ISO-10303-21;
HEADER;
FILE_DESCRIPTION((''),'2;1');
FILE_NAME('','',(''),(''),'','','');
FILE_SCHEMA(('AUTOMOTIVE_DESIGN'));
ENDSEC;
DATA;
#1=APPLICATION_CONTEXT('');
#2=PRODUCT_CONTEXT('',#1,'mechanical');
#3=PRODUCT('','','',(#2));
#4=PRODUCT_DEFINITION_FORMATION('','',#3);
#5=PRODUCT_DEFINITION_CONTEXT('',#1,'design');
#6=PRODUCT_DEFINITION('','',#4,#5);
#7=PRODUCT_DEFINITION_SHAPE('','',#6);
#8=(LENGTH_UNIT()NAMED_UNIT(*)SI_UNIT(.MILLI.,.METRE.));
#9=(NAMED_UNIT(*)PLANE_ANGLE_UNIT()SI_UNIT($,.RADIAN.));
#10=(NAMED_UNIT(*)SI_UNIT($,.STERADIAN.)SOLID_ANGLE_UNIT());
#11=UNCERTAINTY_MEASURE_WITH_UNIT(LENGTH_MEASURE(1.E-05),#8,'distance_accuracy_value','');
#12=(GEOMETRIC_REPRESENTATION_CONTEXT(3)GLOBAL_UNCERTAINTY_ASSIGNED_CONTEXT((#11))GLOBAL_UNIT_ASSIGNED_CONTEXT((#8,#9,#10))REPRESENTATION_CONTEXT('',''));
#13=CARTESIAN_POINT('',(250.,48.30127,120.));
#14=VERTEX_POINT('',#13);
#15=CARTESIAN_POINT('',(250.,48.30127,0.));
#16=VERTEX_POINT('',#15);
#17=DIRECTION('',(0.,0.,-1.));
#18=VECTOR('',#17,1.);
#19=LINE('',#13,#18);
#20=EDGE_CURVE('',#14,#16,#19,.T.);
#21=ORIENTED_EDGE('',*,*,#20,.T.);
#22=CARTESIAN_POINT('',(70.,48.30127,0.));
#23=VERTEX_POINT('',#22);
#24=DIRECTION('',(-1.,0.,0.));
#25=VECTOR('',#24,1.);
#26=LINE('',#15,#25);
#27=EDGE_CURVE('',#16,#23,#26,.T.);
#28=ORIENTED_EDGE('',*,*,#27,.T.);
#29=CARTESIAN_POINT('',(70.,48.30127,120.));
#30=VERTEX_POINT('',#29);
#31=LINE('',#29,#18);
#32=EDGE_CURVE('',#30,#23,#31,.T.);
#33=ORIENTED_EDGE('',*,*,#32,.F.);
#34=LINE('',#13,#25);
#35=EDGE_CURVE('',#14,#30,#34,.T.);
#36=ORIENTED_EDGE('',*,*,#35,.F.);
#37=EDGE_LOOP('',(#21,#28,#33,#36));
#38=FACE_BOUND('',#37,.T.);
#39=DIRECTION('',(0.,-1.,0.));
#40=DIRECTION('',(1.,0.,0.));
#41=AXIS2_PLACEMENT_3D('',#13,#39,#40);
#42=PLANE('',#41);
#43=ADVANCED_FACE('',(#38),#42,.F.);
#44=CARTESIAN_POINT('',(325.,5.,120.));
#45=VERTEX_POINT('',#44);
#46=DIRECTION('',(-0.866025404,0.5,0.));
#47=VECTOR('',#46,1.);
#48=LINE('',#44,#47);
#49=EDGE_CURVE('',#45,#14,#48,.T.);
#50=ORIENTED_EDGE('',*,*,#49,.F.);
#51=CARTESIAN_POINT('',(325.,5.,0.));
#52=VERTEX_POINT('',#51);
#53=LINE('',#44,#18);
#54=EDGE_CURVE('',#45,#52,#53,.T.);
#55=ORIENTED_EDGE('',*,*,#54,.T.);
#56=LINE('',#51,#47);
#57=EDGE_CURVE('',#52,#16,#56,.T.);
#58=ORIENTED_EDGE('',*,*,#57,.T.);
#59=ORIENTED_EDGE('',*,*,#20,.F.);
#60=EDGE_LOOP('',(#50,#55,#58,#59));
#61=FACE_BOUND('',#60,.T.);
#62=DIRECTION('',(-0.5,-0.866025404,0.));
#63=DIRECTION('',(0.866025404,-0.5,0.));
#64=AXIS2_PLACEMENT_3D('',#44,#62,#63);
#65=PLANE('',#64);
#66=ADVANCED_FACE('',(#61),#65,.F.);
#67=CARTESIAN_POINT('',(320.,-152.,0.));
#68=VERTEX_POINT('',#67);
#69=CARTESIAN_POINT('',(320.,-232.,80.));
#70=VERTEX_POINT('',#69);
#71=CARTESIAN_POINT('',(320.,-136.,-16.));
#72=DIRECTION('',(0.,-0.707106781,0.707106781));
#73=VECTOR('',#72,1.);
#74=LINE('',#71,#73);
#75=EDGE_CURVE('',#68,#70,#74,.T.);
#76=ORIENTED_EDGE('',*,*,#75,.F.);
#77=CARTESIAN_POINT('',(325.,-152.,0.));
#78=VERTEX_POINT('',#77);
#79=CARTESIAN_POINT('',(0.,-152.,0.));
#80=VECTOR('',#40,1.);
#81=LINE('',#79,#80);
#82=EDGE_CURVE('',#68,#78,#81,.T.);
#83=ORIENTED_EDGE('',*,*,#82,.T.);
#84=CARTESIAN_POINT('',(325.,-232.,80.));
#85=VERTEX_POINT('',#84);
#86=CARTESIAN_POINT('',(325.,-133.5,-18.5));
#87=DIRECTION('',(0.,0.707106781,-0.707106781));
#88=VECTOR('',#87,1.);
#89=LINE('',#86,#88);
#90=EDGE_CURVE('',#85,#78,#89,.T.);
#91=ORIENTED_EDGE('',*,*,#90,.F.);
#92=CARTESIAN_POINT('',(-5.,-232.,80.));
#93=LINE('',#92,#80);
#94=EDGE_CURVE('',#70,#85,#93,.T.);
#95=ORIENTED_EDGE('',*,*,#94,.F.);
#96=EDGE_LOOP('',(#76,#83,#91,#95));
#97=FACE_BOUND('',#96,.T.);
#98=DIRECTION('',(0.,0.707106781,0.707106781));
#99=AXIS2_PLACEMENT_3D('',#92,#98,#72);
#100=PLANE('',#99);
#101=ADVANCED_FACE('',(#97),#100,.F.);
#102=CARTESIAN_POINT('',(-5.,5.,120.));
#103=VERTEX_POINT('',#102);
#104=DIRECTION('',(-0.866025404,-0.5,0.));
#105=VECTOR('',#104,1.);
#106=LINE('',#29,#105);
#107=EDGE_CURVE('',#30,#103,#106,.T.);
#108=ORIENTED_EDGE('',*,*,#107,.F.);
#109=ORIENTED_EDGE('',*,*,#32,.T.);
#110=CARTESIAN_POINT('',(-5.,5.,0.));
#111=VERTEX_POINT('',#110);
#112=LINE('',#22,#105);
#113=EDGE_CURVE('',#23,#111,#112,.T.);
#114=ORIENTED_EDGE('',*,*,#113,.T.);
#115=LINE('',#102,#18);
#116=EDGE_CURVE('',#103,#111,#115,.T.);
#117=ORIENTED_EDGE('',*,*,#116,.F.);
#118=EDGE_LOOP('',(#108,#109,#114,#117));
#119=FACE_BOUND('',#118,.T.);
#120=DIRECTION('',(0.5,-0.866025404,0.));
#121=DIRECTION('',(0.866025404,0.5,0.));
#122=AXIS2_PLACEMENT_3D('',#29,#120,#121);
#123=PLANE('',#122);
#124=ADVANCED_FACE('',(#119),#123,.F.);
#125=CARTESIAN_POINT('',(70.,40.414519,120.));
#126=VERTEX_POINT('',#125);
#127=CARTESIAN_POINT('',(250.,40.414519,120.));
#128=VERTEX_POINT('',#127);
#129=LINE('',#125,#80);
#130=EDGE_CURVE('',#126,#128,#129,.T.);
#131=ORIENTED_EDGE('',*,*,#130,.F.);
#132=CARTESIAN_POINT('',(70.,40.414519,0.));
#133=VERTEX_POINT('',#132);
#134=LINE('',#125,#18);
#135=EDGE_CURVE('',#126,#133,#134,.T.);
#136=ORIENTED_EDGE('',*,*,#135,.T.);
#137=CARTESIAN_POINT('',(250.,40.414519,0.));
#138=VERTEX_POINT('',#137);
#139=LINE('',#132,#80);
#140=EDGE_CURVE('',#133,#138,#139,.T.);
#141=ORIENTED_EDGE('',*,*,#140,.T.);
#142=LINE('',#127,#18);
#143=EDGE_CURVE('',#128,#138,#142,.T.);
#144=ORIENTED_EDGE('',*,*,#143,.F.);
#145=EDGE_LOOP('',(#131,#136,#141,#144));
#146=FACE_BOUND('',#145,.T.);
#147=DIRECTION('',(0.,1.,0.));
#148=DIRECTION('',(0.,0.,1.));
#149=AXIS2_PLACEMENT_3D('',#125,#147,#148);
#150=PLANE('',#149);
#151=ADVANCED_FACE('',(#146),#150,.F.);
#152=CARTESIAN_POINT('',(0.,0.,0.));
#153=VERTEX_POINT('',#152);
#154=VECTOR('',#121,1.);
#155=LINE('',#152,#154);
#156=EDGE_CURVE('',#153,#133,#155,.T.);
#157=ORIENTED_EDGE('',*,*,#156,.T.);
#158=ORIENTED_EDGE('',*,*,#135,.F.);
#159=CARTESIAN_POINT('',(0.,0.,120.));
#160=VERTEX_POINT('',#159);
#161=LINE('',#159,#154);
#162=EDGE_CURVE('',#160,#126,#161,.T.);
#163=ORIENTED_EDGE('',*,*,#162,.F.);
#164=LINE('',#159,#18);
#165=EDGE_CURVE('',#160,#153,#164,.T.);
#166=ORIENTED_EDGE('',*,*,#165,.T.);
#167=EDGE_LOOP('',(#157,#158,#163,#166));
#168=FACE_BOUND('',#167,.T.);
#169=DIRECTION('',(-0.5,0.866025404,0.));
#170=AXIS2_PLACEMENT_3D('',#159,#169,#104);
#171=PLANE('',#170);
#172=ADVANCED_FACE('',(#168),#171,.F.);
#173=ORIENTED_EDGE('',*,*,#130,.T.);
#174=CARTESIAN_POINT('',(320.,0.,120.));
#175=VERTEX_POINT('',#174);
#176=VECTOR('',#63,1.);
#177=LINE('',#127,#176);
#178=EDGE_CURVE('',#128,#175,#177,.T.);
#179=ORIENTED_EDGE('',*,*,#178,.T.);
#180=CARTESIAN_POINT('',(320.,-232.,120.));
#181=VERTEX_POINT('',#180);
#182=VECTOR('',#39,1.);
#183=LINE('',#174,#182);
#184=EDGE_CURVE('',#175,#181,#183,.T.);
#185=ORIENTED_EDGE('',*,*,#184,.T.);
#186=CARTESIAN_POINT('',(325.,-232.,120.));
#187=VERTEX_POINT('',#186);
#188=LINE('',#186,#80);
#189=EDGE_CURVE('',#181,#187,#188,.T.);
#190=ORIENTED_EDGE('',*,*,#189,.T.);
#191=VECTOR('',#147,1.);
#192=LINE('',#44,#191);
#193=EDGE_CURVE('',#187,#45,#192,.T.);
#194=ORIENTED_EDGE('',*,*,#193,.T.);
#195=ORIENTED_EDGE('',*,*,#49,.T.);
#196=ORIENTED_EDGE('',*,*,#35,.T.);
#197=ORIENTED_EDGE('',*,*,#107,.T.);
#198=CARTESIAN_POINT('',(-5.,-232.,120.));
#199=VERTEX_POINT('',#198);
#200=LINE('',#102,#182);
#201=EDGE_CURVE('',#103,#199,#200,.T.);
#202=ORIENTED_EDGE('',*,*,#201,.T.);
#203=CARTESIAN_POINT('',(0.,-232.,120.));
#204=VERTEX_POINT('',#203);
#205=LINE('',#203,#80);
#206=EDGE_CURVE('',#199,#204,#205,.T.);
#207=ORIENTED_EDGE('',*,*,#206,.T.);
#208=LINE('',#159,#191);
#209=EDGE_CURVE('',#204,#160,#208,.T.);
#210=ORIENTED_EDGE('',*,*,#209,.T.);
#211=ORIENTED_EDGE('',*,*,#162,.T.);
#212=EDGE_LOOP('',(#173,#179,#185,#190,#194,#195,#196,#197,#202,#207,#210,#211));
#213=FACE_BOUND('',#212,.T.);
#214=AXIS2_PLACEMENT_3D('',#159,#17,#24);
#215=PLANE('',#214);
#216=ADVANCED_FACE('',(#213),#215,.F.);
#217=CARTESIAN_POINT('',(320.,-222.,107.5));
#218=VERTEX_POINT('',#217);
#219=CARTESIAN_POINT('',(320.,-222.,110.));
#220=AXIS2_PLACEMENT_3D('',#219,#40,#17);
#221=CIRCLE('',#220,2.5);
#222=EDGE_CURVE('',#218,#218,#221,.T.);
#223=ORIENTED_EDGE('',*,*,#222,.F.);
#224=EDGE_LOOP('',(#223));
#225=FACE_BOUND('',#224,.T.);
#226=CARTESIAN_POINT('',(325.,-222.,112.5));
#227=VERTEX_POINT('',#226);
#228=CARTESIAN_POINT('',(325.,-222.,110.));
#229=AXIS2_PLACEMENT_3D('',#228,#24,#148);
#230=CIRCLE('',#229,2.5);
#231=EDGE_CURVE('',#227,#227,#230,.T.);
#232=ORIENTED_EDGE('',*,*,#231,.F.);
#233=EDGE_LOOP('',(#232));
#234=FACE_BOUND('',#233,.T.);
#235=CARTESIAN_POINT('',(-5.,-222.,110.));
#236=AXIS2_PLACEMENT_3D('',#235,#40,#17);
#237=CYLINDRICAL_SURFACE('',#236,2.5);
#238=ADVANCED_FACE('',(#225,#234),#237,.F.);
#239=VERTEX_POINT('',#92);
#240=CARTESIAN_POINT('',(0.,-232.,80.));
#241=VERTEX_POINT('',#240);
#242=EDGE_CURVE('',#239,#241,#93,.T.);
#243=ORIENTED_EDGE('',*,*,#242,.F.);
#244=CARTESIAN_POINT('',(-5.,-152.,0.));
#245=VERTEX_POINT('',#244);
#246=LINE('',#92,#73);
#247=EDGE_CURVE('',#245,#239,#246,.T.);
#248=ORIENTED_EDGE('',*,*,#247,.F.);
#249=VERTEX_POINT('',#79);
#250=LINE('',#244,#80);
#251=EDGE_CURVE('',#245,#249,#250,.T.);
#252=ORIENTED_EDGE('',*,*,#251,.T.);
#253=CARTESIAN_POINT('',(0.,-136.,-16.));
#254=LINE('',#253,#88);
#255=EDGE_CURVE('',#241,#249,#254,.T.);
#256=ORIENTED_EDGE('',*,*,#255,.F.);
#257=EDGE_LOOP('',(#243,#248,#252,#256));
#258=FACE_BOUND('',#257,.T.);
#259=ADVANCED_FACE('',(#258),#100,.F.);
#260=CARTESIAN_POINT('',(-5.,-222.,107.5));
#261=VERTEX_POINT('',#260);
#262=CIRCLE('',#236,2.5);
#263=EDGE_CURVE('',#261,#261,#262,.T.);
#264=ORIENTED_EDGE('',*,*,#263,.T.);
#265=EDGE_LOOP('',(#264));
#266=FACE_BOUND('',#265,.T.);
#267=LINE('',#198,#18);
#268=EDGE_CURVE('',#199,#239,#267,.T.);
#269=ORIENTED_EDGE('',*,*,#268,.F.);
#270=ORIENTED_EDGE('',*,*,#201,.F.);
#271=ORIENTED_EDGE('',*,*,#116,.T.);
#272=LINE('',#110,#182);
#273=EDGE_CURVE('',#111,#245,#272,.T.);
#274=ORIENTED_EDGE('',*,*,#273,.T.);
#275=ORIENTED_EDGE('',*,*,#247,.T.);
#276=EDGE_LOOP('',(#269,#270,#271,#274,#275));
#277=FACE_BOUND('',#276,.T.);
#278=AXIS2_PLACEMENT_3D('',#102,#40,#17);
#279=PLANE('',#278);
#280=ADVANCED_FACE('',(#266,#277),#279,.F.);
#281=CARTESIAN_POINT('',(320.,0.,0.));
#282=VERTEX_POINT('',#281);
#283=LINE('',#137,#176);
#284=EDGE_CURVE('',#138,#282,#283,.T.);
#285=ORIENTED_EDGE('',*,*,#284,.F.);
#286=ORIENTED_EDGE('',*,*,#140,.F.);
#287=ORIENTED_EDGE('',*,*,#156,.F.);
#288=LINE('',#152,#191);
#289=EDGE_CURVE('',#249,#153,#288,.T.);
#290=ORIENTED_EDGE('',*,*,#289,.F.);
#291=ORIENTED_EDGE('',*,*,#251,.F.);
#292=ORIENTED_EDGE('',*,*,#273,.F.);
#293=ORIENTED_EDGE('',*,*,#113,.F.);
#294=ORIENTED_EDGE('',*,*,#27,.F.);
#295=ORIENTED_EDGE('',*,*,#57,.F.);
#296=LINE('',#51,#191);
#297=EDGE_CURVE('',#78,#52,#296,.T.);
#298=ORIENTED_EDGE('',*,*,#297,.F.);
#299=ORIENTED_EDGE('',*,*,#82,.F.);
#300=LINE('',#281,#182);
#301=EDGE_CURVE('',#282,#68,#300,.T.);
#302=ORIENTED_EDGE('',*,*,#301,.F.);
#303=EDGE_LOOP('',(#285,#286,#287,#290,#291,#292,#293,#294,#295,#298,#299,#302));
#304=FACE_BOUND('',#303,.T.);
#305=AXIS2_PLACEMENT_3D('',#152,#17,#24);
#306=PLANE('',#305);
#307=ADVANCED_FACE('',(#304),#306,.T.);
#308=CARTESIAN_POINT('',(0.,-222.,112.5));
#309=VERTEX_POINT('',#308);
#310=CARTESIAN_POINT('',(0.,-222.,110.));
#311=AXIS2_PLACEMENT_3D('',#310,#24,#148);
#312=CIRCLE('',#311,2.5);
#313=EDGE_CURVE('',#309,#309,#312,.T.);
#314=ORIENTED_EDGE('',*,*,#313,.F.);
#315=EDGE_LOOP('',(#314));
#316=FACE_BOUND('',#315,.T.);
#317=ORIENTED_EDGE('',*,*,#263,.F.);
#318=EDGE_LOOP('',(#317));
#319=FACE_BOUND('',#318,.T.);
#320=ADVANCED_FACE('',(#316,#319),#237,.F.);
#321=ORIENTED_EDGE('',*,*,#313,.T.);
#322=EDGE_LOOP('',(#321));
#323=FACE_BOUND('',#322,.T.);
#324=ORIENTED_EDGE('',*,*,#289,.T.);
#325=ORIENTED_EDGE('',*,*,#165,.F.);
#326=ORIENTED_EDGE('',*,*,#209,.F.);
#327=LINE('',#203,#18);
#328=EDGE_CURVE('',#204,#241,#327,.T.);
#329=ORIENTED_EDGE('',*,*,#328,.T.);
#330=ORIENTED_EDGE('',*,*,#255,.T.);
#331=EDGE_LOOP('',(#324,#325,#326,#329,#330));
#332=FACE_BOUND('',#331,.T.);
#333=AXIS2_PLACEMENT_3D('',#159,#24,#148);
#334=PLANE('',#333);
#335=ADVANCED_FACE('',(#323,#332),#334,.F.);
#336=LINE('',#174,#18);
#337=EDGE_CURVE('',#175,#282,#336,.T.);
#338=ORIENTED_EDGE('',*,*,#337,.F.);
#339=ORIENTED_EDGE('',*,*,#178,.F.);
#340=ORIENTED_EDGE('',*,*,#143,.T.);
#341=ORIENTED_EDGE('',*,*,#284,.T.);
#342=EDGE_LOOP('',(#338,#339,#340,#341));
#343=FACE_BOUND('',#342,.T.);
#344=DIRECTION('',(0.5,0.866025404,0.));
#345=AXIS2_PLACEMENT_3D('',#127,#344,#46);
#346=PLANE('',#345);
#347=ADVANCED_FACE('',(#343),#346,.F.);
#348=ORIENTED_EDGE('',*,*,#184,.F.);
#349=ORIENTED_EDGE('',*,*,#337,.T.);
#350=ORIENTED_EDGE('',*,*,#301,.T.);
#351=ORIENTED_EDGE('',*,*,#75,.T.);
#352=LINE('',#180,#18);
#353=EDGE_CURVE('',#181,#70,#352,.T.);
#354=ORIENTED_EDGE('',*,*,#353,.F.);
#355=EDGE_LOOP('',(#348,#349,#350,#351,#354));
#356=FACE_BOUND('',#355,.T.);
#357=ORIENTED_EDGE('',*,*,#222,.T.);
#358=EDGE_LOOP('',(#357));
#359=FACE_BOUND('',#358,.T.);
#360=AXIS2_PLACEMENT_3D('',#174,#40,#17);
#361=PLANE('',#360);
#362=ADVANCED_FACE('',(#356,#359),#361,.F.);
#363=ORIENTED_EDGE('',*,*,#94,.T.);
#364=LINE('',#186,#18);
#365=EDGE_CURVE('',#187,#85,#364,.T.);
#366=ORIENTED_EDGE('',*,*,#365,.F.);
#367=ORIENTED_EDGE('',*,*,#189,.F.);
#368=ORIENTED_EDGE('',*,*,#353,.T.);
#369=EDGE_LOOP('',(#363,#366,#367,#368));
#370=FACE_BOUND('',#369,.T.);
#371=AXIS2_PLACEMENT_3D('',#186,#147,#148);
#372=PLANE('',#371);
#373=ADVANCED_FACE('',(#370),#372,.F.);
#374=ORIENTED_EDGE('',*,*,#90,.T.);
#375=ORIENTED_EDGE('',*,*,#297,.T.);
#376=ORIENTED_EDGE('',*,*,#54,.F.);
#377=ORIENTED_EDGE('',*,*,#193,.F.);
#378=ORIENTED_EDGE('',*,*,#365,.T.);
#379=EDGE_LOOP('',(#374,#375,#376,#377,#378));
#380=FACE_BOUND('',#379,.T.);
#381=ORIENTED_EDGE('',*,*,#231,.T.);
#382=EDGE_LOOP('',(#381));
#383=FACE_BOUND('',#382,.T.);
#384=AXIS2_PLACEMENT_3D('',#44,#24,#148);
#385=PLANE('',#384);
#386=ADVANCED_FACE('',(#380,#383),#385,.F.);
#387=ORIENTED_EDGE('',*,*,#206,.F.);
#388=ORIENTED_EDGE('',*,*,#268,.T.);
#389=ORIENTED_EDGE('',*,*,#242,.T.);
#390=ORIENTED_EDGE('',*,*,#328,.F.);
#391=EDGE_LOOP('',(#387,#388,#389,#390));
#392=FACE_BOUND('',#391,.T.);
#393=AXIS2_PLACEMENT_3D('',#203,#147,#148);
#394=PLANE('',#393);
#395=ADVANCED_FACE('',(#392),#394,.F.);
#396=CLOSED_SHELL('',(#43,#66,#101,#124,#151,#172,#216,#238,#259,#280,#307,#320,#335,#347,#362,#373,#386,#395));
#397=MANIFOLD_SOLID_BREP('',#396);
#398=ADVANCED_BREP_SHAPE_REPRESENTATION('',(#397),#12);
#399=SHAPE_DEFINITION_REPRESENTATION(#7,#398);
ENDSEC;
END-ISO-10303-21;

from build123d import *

# Parameters (mm, degrees)
BOSS_EXTRUDE2_DEPTH     = 120
CUT_EXTRUDE2_DEPTH      = 421.861022191
CUT_EXTRUDE2_DEPTH_BACK = 421.861022191
SKETCH5_R               = 2.5


with BuildPart() as part:
    # Sketch3 → Boss-Extrude2 (new body)
    with BuildSketch(Plane.XY):
        Polygon((-5, 5), (-5, -232), (0, -232), (0, 0), (70, 40.414518843), (250, 40.414518843), (320, 0), (320, -232), (325, -232), (325, 5), (250, 48.301270189), (70, 48.301270189), align=None)
    extrude(amount=BOSS_EXTRUDE2_DEPTH)

    # Sketch5 → Cut-Extrude2 (cut, two sides: drawn at the far end of the back side and taken through both)
    with BuildSketch(Plane(origin=(325, 0, 0), x_dir=(0, 0, -1), z_dir=(1, 0, 0)).offset(-CUT_EXTRUDE2_DEPTH_BACK)):
        with Locations((-110, -222)):
            Circle(SKETCH5_R)
        Polygon((-80, -232), (0, -152), (0, -232), align=None)
    extrude(amount=CUT_EXTRUDE2_DEPTH + CUT_EXTRUDE2_DEPTH_BACK, mode=Mode.SUBTRACT)


solid = part.part
